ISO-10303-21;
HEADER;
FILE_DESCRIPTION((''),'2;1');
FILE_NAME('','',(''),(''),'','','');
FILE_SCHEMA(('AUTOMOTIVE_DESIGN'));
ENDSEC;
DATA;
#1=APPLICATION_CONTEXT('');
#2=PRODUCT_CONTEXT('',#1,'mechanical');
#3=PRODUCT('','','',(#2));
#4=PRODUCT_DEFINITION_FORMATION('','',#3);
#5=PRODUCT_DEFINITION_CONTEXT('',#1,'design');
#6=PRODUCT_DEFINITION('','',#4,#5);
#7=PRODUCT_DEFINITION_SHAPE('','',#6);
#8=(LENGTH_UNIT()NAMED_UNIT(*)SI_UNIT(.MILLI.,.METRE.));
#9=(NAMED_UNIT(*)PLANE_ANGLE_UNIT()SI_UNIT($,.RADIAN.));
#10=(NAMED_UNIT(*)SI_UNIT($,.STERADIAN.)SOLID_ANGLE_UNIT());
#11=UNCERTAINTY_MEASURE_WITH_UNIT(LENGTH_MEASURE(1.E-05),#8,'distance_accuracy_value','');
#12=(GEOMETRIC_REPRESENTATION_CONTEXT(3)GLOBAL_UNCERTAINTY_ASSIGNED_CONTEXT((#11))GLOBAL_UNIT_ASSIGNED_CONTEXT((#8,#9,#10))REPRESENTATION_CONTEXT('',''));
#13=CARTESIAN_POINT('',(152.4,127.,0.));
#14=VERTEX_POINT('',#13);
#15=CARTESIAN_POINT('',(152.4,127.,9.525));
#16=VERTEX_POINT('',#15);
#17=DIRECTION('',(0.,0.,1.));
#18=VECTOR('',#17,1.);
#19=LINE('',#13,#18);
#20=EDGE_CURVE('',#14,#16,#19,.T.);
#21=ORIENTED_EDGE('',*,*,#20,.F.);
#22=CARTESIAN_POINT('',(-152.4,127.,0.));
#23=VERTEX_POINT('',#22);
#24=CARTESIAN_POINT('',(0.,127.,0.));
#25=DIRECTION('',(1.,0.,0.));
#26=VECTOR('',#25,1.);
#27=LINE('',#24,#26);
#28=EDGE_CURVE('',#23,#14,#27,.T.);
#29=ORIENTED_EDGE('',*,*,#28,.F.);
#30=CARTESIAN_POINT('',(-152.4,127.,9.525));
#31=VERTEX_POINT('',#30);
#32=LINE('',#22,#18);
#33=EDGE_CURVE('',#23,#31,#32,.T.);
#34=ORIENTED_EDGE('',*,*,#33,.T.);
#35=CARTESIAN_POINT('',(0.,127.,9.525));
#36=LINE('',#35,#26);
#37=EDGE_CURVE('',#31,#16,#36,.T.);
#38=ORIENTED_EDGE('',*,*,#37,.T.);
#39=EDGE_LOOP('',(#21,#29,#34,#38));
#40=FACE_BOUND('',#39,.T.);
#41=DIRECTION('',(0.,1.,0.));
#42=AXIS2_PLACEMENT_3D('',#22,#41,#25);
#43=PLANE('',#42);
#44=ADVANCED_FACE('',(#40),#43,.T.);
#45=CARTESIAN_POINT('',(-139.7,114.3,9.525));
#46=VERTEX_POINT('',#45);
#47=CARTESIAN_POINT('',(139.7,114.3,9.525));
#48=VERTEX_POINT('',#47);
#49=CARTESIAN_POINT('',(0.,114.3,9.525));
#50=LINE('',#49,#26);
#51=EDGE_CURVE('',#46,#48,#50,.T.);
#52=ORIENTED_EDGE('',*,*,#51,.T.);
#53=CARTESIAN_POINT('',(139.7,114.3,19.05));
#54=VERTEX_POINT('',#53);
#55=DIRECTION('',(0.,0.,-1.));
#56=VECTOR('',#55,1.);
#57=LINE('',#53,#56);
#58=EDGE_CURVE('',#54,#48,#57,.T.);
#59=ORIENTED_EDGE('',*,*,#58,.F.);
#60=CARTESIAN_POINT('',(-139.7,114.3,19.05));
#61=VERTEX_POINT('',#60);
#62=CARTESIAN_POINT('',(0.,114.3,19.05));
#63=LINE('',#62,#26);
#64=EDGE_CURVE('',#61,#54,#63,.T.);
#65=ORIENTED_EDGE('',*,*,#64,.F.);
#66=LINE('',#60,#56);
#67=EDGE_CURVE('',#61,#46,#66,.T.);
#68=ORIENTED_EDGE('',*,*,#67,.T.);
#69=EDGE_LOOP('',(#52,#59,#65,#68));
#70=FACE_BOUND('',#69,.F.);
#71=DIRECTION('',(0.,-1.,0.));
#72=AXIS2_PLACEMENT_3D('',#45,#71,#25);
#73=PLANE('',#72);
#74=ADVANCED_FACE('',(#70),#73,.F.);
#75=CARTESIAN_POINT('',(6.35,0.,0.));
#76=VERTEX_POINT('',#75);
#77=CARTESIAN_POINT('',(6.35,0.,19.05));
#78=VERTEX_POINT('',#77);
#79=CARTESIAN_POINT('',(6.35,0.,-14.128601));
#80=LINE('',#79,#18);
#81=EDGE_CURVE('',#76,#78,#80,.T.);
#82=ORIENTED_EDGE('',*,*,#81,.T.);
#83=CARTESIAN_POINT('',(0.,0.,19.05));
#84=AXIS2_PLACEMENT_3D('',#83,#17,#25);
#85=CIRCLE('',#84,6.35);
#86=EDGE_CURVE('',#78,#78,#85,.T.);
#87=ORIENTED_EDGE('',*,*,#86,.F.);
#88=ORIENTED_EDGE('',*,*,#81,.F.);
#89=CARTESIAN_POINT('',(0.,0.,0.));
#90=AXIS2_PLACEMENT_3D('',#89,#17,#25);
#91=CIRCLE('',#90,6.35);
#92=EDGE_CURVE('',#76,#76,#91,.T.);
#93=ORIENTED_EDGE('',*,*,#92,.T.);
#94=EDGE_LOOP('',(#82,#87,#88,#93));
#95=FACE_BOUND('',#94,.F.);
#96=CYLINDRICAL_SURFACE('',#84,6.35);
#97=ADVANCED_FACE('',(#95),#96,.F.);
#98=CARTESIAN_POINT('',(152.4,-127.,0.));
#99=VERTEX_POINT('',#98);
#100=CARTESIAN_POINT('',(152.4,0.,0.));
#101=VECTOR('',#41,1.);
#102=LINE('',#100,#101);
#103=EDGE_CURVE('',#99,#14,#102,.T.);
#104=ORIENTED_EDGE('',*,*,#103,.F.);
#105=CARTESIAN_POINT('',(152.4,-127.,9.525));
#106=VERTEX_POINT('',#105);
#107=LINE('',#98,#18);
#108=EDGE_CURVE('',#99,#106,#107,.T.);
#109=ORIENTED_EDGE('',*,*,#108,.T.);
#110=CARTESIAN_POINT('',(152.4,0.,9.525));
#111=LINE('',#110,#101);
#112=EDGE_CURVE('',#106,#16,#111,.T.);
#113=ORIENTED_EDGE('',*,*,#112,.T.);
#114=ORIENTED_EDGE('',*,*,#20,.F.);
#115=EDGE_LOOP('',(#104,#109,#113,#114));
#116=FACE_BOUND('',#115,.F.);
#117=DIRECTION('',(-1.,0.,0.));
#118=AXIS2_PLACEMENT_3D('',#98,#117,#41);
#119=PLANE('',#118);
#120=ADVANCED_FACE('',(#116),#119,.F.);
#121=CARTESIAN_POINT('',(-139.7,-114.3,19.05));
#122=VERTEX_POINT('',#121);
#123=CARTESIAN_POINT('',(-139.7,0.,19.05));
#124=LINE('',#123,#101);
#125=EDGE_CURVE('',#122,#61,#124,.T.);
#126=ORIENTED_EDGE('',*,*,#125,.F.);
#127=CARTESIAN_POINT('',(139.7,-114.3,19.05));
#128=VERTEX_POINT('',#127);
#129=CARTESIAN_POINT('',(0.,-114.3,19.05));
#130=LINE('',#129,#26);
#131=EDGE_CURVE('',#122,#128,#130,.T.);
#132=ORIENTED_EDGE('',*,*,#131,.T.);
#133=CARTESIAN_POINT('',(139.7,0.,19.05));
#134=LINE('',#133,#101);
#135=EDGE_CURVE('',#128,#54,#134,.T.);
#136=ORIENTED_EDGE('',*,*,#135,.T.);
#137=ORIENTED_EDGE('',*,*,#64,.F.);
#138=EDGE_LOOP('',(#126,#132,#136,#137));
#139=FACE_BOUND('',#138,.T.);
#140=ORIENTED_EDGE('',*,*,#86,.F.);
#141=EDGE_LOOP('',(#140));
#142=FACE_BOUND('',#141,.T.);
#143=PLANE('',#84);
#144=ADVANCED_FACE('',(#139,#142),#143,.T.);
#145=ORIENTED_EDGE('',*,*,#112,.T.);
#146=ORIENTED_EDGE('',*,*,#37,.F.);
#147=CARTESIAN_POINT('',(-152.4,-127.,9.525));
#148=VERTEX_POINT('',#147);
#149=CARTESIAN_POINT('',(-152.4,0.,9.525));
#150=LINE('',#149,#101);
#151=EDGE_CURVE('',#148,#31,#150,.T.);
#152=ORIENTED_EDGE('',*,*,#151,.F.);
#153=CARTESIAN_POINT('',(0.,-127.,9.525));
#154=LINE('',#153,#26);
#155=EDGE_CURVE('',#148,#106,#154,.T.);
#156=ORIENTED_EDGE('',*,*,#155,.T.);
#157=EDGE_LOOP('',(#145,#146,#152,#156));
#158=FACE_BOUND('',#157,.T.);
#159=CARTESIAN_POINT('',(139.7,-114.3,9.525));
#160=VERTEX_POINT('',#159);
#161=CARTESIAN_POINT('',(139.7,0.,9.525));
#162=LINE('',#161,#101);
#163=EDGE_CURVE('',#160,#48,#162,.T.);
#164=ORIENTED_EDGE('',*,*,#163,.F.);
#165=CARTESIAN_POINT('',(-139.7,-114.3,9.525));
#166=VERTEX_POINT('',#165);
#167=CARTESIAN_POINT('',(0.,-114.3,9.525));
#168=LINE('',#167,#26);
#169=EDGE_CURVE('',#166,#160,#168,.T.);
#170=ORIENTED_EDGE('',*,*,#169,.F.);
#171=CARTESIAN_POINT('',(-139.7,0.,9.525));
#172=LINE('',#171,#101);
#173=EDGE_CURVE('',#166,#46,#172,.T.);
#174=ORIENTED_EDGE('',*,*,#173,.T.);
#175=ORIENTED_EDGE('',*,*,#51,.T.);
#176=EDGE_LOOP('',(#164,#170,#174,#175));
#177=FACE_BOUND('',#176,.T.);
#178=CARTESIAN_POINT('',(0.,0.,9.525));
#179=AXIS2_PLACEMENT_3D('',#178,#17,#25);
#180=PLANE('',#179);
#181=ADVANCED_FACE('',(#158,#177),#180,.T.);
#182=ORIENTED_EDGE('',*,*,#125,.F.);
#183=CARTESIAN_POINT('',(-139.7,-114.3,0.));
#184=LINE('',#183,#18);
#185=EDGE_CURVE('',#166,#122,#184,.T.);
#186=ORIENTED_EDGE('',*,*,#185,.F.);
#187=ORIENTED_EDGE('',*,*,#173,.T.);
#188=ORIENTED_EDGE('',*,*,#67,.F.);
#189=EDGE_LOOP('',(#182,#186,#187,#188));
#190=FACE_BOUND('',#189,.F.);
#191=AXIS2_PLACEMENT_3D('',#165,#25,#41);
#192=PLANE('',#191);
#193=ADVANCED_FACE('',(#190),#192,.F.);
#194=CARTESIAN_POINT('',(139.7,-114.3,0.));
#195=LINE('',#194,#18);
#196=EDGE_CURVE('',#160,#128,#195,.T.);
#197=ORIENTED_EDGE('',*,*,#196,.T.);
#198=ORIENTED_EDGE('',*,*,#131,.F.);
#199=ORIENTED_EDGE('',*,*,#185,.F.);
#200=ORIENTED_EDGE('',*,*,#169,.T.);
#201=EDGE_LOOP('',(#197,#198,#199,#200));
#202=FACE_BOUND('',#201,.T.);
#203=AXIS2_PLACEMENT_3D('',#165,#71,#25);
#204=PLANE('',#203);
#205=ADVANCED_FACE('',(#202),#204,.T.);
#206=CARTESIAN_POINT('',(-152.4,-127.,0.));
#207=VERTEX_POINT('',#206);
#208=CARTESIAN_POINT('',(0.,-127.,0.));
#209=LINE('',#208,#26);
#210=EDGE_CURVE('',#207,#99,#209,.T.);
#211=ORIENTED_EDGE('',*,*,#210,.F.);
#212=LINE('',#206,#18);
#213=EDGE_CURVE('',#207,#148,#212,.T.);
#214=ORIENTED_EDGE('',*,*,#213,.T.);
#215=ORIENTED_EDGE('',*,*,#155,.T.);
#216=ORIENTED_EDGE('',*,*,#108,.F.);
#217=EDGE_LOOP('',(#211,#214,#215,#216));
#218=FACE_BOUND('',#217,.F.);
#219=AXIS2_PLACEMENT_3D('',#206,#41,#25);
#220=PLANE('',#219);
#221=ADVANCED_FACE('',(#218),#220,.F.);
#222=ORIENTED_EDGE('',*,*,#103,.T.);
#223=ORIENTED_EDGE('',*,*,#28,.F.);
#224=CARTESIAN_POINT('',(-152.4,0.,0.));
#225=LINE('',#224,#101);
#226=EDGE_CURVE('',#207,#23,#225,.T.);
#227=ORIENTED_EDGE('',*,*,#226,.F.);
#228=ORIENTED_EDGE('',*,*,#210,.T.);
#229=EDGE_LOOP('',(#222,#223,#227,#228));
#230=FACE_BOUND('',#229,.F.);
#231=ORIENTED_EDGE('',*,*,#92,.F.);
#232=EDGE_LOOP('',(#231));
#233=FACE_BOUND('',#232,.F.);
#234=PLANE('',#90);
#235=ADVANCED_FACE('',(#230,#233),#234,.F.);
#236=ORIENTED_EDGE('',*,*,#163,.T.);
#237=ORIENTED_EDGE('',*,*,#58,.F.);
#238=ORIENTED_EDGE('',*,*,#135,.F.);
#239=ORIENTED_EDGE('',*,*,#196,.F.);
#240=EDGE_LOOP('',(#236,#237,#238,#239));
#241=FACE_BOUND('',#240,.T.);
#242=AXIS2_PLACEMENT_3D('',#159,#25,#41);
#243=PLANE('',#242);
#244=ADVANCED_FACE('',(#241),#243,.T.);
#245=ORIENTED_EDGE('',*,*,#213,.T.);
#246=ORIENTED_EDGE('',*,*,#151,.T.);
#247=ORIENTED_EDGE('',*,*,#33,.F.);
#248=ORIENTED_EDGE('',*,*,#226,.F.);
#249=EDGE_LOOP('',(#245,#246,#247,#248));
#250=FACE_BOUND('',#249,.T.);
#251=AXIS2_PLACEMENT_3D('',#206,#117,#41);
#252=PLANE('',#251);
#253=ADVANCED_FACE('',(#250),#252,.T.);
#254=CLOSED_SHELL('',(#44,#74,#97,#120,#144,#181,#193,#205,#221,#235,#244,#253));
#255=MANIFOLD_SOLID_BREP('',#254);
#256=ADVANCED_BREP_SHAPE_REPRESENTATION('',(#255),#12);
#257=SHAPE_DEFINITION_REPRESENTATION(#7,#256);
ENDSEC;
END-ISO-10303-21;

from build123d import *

# Parameters (mm, degrees)
F1_W     = 279.4
F1_H     = 228.6
F1_W_2   = 304.8
F1_H_2   = 254
F2_DEPTH = 9.525
F3_W     = 279.4
F3_H     = 228.6
F4_DEPTH = 9.525
F5_R     = 6.35
F6_DEPTH = 33.178601


with BuildPart() as f2:
    # F1 (on face) → F2 (new body)
    with BuildSketch(Plane.XY):
        Rectangle(F1_W, F1_H)
        Rectangle(F1_W_2, F1_H_2)
        Rectangle(F1_W, F1_H, mode=Mode.SUBTRACT)
    extrude(amount=F2_DEPTH)

    # F3 (on face) → F4 (join, symmetric)
    with BuildSketch(Plane.XY.offset(9.525)):
        Rectangle(F3_W, F3_H)
    extrude(amount=F4_DEPTH, both=True)

    # F5 (on face) → F6 (cut, symmetric)
    with BuildSketch(Plane.XY.offset(19.05)):
        Circle(F5_R)
    extrude(amount=F6_DEPTH, both=True, mode=Mode.SUBTRACT)


solid = f2.part
